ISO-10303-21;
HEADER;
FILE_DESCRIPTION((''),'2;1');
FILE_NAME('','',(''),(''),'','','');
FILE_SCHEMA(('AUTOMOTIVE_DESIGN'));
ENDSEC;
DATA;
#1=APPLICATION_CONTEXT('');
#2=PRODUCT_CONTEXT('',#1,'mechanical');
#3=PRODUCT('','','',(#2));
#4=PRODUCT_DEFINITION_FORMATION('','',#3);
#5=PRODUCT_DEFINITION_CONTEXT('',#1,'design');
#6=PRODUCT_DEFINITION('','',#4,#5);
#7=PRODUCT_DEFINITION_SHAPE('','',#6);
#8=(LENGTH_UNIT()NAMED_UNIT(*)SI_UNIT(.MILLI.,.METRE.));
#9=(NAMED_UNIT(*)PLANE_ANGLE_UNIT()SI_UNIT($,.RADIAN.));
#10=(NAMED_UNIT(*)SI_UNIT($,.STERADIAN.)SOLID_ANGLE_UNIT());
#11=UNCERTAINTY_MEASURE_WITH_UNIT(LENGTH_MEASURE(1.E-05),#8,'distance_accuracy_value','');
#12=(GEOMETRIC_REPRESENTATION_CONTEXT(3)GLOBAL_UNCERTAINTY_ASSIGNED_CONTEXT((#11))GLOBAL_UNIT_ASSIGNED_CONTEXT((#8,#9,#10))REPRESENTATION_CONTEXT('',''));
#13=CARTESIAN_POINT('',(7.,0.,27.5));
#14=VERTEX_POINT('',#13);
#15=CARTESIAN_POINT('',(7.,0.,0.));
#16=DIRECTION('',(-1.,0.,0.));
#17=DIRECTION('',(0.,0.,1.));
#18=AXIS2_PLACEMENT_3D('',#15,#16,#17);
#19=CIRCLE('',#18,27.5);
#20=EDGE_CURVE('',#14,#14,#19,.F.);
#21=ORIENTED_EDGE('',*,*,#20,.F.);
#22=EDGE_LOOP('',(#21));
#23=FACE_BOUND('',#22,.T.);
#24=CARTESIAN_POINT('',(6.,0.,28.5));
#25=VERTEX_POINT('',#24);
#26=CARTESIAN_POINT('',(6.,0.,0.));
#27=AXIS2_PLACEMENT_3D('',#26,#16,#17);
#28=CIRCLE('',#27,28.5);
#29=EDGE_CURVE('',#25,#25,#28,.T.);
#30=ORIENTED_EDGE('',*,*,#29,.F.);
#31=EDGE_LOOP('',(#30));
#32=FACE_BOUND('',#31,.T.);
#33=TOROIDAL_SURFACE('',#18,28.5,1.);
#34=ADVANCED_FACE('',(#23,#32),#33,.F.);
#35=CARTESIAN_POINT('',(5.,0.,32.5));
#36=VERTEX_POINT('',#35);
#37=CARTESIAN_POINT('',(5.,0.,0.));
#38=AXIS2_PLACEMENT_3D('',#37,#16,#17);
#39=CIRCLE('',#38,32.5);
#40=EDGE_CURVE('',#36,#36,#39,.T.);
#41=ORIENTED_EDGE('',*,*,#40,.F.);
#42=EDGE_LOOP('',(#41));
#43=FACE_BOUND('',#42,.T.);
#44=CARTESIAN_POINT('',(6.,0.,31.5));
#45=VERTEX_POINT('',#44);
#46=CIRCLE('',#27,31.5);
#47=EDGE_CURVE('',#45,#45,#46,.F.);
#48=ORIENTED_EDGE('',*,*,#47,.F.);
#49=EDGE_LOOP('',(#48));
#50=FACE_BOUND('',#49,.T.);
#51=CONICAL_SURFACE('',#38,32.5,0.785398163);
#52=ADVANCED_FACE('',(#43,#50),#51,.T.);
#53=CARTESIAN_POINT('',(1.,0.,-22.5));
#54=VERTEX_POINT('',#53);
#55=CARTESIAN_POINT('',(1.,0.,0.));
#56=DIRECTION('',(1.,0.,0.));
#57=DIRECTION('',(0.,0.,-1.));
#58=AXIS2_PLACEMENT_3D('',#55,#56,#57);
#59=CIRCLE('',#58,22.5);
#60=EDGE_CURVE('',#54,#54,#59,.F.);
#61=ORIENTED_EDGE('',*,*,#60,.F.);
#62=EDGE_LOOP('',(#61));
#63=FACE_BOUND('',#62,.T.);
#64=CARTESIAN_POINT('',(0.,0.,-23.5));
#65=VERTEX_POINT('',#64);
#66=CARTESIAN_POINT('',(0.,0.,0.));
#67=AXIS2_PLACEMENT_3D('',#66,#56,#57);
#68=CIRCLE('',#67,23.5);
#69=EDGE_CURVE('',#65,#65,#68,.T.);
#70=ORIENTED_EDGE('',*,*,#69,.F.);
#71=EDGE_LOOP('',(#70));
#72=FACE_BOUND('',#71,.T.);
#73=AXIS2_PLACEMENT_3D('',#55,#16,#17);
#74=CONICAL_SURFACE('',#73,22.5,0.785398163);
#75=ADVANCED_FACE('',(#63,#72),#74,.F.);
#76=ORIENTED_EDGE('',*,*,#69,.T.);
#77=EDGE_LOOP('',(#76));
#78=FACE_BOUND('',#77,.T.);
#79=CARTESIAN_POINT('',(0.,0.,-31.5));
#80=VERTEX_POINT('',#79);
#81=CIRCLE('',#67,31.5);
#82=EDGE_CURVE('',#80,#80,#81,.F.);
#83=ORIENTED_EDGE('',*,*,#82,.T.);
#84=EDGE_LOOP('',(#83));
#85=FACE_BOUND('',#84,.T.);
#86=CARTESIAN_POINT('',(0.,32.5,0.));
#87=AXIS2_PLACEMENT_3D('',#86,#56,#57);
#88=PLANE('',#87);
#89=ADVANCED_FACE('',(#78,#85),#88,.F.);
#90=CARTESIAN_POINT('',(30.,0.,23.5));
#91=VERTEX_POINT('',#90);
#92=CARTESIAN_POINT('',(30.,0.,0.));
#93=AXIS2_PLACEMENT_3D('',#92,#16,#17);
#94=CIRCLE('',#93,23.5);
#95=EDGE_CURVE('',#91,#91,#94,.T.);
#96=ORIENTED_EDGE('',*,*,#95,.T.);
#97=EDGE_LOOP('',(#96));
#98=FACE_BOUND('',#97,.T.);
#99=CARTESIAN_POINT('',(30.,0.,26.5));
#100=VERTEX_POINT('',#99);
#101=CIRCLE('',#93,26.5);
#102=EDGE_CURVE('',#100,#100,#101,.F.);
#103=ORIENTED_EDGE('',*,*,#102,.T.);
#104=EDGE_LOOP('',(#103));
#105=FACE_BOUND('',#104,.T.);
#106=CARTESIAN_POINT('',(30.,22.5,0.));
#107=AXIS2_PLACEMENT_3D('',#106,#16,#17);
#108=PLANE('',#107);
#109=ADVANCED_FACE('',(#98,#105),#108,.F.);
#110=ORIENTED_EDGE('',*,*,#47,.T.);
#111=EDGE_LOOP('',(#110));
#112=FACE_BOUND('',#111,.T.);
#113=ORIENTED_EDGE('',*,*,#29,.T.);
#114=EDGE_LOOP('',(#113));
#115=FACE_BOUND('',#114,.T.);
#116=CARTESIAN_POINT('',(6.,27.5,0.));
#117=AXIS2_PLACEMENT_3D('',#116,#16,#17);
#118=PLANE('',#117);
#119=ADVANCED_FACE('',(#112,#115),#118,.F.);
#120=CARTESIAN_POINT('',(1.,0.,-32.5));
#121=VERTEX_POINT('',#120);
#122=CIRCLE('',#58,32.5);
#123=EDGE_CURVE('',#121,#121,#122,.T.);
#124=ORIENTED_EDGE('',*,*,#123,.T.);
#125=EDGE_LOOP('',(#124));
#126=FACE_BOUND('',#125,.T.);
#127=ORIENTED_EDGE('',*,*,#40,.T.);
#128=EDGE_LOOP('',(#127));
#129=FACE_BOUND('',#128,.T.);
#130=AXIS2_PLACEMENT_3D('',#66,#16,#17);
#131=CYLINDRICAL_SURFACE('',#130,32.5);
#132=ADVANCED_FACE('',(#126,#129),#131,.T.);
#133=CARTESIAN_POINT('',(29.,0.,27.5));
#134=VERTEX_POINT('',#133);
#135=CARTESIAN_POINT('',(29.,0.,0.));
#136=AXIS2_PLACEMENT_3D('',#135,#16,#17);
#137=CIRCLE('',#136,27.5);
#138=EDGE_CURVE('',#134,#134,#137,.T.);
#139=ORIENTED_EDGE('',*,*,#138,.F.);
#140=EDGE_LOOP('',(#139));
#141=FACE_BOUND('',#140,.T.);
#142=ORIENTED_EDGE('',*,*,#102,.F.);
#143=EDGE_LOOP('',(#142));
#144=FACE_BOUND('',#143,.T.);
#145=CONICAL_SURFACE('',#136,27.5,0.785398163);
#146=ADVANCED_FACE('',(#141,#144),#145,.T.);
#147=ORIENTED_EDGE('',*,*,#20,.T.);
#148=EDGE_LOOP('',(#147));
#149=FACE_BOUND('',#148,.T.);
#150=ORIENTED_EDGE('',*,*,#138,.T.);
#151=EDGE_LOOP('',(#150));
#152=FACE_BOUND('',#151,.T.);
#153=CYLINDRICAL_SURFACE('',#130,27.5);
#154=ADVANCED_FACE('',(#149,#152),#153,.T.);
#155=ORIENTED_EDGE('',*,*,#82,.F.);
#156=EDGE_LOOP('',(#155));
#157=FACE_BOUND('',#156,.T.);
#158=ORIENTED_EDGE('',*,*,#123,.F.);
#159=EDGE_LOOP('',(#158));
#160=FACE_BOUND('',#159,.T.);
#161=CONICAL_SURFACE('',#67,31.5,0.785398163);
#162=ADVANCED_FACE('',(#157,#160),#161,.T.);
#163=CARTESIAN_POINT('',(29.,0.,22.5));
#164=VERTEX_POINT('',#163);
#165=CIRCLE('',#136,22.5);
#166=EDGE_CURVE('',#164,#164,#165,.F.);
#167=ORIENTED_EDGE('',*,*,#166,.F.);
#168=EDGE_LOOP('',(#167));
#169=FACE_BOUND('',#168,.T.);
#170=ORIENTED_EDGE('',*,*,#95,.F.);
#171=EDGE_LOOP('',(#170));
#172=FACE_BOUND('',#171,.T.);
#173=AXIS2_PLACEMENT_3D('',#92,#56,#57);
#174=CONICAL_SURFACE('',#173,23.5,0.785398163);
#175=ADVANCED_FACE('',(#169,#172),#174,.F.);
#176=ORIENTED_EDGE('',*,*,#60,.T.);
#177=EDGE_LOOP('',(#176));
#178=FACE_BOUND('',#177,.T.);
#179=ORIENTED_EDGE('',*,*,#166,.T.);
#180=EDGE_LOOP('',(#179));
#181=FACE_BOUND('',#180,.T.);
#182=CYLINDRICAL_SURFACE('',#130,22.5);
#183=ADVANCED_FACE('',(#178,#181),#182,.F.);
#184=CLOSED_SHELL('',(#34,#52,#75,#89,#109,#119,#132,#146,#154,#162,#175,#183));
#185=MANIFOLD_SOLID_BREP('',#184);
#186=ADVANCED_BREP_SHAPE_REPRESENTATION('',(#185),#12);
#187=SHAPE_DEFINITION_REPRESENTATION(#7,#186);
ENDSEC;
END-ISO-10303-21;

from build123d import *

# Parameters (mm, degrees)
CHAMFER1_SIZE = 1
FILLET1_R     = 1


with BuildPart() as part:
    # Sketch1 → Revolve1 (revolve)
    with BuildSketch(Plane.XY, mode=Mode.PRIVATE) as revolve1_sk:
        Polygon((0, 22.5), (30, 22.5), (30, 27.5), (6, 27.5), (6, 32.5), (0, 32.5), align=None)
    revolve(revolve1_sk.sketch.rotate(Axis((0, 0, 0), (1, 0, 0)), 90), axis=Axis((0, 0, 0), (1, 0, 0)))

    # Chamfer1
    chamfer1_edges = [part.edges().sort_by_distance(p)[0] for p in [
        (0, 0, -32.5),
        (6, 0, -32.5),
        (30, 0, -27.5),
        (30, 0, -22.5),
        (0, 0, -22.5),
    ]]
    chamfer(chamfer1_edges, length=CHAMFER1_SIZE)

    # Fillet1
    fillet1_edges = [part.edges().sort_by_distance(p)[0] for p in [
        (6, 0, -27.5),
    ]]
    fillet(fillet1_edges, radius=FILLET1_R)


solid = part.part
